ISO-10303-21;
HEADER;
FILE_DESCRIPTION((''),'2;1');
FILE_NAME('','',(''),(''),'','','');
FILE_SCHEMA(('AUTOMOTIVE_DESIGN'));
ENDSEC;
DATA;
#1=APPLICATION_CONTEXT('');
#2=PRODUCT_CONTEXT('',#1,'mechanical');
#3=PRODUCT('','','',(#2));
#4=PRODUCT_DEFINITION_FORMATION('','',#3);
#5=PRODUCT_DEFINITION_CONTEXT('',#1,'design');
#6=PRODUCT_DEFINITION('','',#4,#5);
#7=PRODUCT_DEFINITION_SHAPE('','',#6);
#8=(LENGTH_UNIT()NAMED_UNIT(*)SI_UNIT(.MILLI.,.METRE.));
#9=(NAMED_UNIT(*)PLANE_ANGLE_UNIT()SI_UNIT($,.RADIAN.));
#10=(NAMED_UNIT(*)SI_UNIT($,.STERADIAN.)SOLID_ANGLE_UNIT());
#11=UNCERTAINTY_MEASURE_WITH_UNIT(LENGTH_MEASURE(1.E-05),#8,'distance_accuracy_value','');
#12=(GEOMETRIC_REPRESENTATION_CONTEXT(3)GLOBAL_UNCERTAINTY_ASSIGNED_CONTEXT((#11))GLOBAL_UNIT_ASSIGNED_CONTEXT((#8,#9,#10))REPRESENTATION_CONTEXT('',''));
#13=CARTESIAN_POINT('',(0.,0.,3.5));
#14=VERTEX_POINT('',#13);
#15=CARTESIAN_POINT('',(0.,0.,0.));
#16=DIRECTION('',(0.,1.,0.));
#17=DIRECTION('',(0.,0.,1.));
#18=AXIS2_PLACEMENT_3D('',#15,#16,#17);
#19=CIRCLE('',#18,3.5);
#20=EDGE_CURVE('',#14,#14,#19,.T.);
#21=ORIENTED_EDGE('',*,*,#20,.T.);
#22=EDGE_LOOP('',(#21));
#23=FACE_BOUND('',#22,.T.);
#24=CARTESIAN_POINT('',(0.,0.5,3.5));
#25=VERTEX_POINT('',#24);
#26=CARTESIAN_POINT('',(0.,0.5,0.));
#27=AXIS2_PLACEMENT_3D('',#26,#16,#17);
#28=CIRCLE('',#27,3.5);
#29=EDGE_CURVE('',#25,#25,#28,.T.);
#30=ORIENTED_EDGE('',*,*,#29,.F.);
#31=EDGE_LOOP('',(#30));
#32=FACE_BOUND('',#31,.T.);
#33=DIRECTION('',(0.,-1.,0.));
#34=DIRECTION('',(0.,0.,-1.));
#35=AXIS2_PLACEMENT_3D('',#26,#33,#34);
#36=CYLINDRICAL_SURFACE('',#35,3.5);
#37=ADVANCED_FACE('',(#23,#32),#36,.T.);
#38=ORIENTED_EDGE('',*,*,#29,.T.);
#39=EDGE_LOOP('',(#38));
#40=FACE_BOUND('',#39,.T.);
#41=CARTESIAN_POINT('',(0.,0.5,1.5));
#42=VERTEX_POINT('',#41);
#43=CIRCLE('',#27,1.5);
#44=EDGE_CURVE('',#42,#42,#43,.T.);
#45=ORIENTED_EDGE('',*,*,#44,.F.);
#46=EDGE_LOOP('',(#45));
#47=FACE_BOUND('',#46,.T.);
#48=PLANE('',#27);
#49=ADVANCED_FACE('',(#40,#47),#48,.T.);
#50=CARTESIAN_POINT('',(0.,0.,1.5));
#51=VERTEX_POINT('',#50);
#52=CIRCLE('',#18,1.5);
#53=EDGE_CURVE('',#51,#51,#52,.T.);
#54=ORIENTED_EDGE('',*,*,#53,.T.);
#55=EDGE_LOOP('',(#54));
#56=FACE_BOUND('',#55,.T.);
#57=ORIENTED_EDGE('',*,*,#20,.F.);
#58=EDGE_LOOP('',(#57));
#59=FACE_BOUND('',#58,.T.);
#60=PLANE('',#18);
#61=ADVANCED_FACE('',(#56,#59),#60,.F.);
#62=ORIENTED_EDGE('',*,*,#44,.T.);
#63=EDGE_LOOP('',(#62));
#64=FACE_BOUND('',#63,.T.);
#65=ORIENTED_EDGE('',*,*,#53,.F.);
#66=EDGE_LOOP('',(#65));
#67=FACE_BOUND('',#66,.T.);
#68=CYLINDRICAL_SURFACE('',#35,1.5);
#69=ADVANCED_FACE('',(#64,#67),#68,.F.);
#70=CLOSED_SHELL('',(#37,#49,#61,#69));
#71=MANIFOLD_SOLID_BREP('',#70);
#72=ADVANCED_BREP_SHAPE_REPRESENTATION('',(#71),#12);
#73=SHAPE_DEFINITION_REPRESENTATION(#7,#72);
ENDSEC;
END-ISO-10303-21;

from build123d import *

# Parameters (mm, degrees)
SKETCH_1_R      = 3.5
SKETCH_1_R_2    = 1.5
EXTRUDE_1_DEPTH = 0.5


with BuildPart() as part:
    # 草图1 → 凸台-拉伸1 (new body)
    with BuildSketch(Plane(origin=(0, 0, 0), x_dir=(1, 0, 0), z_dir=(0, 1, 0))):
        Circle(SKETCH_1_R)
        Circle(SKETCH_1_R_2, mode=Mode.SUBTRACT)
    extrude(amount=EXTRUDE_1_DEPTH)


solid = part.part
